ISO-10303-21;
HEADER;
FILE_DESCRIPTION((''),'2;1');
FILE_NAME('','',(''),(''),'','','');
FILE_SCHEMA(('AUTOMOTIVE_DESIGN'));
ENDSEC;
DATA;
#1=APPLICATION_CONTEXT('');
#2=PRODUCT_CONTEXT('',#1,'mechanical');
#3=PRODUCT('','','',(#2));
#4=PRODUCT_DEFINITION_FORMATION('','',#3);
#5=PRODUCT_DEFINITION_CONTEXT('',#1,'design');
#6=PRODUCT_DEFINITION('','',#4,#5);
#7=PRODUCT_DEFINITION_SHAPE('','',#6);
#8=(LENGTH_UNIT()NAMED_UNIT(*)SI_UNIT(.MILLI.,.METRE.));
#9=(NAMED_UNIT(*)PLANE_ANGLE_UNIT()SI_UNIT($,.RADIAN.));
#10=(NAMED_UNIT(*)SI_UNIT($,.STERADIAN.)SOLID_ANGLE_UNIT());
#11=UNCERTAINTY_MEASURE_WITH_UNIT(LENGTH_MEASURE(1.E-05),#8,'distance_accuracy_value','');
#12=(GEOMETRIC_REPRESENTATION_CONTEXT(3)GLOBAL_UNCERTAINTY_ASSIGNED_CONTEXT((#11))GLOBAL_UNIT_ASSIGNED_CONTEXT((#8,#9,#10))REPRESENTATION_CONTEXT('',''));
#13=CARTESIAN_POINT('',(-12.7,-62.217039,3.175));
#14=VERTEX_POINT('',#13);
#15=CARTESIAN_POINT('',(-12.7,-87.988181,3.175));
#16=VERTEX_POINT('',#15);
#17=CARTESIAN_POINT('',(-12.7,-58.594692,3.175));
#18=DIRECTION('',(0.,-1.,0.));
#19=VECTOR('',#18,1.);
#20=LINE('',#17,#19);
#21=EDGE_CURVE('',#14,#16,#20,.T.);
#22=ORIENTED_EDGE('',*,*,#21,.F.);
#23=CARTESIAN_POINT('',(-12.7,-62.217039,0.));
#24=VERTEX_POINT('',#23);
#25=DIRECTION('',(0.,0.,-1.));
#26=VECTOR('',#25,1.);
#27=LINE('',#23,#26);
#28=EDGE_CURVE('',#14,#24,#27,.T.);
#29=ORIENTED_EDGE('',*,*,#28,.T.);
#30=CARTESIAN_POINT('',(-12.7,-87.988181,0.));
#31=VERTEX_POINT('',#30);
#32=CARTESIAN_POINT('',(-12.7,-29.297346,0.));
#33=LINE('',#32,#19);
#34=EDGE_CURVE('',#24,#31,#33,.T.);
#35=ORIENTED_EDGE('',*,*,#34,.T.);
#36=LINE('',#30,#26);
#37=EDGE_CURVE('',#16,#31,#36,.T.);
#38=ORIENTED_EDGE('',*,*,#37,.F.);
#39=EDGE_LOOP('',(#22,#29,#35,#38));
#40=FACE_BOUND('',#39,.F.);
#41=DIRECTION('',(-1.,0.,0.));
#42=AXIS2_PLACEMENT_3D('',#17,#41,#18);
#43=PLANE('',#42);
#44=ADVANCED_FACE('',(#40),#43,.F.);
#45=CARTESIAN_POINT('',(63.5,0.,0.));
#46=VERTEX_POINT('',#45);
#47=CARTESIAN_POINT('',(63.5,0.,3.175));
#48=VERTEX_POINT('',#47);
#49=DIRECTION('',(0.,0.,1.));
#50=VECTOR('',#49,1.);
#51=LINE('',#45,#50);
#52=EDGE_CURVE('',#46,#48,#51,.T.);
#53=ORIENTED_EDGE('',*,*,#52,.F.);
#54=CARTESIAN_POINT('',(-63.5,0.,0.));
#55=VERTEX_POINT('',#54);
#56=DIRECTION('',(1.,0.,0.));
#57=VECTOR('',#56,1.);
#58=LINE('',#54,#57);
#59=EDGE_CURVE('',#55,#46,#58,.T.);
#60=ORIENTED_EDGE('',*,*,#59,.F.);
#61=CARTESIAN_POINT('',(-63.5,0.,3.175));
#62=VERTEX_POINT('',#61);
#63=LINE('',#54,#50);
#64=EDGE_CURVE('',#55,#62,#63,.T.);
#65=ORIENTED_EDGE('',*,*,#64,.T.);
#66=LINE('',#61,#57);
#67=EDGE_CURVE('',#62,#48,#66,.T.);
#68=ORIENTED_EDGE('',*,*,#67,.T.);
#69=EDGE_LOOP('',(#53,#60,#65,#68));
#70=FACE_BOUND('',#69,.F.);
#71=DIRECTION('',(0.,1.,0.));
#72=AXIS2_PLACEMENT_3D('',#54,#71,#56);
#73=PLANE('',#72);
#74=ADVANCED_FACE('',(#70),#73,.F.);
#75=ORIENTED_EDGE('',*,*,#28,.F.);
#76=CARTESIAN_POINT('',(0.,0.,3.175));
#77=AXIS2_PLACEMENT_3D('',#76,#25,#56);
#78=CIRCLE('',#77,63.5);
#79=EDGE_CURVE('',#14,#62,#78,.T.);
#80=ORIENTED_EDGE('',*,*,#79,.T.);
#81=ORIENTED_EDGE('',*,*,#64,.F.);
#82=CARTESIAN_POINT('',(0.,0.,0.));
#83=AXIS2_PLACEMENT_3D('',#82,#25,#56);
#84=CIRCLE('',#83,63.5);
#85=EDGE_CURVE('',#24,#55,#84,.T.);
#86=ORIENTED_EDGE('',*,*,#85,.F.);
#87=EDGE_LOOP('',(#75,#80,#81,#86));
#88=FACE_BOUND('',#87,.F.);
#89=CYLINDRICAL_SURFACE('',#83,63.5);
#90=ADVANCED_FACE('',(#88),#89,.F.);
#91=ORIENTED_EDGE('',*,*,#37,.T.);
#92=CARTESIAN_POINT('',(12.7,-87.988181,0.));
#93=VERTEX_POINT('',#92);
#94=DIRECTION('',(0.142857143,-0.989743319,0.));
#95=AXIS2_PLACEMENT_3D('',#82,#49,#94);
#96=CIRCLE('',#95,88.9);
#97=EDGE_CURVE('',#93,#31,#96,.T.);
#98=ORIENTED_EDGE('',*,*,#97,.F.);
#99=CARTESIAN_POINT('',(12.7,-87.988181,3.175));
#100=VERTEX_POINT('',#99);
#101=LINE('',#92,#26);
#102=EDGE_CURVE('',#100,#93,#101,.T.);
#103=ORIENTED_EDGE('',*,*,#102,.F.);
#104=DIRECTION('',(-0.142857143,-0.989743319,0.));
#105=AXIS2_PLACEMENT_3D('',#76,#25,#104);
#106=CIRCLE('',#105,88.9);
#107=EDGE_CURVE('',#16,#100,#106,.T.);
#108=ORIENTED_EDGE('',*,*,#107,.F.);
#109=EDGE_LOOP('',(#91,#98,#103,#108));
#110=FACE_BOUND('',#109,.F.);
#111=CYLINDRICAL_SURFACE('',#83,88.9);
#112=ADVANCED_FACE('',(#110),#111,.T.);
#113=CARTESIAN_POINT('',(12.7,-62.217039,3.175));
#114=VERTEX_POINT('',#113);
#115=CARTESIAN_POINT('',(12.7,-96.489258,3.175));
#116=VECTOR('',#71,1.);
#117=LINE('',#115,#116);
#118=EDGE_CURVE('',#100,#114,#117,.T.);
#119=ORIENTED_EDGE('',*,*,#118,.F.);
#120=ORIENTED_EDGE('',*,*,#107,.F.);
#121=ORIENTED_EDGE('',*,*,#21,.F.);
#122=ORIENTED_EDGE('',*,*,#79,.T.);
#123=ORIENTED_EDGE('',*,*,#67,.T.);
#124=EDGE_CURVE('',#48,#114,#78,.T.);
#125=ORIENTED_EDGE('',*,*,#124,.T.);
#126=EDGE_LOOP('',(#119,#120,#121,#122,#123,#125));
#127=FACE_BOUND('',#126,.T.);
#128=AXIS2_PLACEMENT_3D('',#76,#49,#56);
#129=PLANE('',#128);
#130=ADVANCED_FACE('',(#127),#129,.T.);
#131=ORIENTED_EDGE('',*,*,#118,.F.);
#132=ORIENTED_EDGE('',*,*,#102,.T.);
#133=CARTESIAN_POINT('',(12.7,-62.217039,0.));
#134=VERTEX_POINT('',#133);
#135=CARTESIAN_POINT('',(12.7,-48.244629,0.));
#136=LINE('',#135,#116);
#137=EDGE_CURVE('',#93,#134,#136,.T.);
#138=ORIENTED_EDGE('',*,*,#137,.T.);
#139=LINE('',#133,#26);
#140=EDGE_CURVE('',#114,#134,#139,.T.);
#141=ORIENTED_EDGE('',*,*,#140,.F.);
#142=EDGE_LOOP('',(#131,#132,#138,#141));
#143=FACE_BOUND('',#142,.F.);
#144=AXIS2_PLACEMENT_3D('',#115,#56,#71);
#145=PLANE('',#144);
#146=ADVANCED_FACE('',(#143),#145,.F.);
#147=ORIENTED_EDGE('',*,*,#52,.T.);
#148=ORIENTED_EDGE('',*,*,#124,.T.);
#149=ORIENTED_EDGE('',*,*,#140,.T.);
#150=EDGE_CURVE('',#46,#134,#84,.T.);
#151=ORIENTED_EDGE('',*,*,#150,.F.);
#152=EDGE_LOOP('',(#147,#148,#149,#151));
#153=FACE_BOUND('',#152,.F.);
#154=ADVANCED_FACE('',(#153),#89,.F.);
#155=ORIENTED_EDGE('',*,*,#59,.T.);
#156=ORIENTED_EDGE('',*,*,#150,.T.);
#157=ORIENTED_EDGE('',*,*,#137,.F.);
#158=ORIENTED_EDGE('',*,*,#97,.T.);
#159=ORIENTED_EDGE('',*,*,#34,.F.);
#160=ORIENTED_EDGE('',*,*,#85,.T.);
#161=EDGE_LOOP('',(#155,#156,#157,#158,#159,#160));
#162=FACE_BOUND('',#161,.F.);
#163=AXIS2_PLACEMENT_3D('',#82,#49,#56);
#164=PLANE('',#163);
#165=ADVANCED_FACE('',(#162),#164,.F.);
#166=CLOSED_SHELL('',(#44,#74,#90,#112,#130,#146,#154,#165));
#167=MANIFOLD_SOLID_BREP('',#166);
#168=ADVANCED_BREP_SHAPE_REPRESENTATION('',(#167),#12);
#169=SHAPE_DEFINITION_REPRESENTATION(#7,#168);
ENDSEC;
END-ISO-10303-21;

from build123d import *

# Parameters (mm, degrees)
F0_R     = 88.9
F1_DEPTH = 3.175
F3_DEPTH = 6.35


with BuildPart() as f1:
    # F0 (on Top) → F1 (new body)
    with BuildSketch(Plane.XY):
        Circle(F0_R)
        with BuildLine():
            ThreePointArc((-63.5, 0), (0, 63.5), (63.5, 0))
            ThreePointArc((63.5, 0), (0, -63.5), (-63.5, 0))
        make_face(mode=Mode.SUBTRACT)
        with BuildLine():
            Line((-63.5, 0), (63.5, 0))
            ThreePointArc((63.5, 0), (0, 63.5), (-63.5, 0))
        make_face()
    extrude(amount=F1_DEPTH)

    # F2 (on face) → F3 (cut)
    with BuildSketch(Plane.XY.offset(3.175)):
        Polygon((12.7, -58.594692), (0, -58.594692), (-12.7, -58.594692), (-12.7, -96.489258), (12.7, -96.489258), align=None)
    extrude(amount=-F3_DEPTH, mode=Mode.SUBTRACT)


solid = f1.part
